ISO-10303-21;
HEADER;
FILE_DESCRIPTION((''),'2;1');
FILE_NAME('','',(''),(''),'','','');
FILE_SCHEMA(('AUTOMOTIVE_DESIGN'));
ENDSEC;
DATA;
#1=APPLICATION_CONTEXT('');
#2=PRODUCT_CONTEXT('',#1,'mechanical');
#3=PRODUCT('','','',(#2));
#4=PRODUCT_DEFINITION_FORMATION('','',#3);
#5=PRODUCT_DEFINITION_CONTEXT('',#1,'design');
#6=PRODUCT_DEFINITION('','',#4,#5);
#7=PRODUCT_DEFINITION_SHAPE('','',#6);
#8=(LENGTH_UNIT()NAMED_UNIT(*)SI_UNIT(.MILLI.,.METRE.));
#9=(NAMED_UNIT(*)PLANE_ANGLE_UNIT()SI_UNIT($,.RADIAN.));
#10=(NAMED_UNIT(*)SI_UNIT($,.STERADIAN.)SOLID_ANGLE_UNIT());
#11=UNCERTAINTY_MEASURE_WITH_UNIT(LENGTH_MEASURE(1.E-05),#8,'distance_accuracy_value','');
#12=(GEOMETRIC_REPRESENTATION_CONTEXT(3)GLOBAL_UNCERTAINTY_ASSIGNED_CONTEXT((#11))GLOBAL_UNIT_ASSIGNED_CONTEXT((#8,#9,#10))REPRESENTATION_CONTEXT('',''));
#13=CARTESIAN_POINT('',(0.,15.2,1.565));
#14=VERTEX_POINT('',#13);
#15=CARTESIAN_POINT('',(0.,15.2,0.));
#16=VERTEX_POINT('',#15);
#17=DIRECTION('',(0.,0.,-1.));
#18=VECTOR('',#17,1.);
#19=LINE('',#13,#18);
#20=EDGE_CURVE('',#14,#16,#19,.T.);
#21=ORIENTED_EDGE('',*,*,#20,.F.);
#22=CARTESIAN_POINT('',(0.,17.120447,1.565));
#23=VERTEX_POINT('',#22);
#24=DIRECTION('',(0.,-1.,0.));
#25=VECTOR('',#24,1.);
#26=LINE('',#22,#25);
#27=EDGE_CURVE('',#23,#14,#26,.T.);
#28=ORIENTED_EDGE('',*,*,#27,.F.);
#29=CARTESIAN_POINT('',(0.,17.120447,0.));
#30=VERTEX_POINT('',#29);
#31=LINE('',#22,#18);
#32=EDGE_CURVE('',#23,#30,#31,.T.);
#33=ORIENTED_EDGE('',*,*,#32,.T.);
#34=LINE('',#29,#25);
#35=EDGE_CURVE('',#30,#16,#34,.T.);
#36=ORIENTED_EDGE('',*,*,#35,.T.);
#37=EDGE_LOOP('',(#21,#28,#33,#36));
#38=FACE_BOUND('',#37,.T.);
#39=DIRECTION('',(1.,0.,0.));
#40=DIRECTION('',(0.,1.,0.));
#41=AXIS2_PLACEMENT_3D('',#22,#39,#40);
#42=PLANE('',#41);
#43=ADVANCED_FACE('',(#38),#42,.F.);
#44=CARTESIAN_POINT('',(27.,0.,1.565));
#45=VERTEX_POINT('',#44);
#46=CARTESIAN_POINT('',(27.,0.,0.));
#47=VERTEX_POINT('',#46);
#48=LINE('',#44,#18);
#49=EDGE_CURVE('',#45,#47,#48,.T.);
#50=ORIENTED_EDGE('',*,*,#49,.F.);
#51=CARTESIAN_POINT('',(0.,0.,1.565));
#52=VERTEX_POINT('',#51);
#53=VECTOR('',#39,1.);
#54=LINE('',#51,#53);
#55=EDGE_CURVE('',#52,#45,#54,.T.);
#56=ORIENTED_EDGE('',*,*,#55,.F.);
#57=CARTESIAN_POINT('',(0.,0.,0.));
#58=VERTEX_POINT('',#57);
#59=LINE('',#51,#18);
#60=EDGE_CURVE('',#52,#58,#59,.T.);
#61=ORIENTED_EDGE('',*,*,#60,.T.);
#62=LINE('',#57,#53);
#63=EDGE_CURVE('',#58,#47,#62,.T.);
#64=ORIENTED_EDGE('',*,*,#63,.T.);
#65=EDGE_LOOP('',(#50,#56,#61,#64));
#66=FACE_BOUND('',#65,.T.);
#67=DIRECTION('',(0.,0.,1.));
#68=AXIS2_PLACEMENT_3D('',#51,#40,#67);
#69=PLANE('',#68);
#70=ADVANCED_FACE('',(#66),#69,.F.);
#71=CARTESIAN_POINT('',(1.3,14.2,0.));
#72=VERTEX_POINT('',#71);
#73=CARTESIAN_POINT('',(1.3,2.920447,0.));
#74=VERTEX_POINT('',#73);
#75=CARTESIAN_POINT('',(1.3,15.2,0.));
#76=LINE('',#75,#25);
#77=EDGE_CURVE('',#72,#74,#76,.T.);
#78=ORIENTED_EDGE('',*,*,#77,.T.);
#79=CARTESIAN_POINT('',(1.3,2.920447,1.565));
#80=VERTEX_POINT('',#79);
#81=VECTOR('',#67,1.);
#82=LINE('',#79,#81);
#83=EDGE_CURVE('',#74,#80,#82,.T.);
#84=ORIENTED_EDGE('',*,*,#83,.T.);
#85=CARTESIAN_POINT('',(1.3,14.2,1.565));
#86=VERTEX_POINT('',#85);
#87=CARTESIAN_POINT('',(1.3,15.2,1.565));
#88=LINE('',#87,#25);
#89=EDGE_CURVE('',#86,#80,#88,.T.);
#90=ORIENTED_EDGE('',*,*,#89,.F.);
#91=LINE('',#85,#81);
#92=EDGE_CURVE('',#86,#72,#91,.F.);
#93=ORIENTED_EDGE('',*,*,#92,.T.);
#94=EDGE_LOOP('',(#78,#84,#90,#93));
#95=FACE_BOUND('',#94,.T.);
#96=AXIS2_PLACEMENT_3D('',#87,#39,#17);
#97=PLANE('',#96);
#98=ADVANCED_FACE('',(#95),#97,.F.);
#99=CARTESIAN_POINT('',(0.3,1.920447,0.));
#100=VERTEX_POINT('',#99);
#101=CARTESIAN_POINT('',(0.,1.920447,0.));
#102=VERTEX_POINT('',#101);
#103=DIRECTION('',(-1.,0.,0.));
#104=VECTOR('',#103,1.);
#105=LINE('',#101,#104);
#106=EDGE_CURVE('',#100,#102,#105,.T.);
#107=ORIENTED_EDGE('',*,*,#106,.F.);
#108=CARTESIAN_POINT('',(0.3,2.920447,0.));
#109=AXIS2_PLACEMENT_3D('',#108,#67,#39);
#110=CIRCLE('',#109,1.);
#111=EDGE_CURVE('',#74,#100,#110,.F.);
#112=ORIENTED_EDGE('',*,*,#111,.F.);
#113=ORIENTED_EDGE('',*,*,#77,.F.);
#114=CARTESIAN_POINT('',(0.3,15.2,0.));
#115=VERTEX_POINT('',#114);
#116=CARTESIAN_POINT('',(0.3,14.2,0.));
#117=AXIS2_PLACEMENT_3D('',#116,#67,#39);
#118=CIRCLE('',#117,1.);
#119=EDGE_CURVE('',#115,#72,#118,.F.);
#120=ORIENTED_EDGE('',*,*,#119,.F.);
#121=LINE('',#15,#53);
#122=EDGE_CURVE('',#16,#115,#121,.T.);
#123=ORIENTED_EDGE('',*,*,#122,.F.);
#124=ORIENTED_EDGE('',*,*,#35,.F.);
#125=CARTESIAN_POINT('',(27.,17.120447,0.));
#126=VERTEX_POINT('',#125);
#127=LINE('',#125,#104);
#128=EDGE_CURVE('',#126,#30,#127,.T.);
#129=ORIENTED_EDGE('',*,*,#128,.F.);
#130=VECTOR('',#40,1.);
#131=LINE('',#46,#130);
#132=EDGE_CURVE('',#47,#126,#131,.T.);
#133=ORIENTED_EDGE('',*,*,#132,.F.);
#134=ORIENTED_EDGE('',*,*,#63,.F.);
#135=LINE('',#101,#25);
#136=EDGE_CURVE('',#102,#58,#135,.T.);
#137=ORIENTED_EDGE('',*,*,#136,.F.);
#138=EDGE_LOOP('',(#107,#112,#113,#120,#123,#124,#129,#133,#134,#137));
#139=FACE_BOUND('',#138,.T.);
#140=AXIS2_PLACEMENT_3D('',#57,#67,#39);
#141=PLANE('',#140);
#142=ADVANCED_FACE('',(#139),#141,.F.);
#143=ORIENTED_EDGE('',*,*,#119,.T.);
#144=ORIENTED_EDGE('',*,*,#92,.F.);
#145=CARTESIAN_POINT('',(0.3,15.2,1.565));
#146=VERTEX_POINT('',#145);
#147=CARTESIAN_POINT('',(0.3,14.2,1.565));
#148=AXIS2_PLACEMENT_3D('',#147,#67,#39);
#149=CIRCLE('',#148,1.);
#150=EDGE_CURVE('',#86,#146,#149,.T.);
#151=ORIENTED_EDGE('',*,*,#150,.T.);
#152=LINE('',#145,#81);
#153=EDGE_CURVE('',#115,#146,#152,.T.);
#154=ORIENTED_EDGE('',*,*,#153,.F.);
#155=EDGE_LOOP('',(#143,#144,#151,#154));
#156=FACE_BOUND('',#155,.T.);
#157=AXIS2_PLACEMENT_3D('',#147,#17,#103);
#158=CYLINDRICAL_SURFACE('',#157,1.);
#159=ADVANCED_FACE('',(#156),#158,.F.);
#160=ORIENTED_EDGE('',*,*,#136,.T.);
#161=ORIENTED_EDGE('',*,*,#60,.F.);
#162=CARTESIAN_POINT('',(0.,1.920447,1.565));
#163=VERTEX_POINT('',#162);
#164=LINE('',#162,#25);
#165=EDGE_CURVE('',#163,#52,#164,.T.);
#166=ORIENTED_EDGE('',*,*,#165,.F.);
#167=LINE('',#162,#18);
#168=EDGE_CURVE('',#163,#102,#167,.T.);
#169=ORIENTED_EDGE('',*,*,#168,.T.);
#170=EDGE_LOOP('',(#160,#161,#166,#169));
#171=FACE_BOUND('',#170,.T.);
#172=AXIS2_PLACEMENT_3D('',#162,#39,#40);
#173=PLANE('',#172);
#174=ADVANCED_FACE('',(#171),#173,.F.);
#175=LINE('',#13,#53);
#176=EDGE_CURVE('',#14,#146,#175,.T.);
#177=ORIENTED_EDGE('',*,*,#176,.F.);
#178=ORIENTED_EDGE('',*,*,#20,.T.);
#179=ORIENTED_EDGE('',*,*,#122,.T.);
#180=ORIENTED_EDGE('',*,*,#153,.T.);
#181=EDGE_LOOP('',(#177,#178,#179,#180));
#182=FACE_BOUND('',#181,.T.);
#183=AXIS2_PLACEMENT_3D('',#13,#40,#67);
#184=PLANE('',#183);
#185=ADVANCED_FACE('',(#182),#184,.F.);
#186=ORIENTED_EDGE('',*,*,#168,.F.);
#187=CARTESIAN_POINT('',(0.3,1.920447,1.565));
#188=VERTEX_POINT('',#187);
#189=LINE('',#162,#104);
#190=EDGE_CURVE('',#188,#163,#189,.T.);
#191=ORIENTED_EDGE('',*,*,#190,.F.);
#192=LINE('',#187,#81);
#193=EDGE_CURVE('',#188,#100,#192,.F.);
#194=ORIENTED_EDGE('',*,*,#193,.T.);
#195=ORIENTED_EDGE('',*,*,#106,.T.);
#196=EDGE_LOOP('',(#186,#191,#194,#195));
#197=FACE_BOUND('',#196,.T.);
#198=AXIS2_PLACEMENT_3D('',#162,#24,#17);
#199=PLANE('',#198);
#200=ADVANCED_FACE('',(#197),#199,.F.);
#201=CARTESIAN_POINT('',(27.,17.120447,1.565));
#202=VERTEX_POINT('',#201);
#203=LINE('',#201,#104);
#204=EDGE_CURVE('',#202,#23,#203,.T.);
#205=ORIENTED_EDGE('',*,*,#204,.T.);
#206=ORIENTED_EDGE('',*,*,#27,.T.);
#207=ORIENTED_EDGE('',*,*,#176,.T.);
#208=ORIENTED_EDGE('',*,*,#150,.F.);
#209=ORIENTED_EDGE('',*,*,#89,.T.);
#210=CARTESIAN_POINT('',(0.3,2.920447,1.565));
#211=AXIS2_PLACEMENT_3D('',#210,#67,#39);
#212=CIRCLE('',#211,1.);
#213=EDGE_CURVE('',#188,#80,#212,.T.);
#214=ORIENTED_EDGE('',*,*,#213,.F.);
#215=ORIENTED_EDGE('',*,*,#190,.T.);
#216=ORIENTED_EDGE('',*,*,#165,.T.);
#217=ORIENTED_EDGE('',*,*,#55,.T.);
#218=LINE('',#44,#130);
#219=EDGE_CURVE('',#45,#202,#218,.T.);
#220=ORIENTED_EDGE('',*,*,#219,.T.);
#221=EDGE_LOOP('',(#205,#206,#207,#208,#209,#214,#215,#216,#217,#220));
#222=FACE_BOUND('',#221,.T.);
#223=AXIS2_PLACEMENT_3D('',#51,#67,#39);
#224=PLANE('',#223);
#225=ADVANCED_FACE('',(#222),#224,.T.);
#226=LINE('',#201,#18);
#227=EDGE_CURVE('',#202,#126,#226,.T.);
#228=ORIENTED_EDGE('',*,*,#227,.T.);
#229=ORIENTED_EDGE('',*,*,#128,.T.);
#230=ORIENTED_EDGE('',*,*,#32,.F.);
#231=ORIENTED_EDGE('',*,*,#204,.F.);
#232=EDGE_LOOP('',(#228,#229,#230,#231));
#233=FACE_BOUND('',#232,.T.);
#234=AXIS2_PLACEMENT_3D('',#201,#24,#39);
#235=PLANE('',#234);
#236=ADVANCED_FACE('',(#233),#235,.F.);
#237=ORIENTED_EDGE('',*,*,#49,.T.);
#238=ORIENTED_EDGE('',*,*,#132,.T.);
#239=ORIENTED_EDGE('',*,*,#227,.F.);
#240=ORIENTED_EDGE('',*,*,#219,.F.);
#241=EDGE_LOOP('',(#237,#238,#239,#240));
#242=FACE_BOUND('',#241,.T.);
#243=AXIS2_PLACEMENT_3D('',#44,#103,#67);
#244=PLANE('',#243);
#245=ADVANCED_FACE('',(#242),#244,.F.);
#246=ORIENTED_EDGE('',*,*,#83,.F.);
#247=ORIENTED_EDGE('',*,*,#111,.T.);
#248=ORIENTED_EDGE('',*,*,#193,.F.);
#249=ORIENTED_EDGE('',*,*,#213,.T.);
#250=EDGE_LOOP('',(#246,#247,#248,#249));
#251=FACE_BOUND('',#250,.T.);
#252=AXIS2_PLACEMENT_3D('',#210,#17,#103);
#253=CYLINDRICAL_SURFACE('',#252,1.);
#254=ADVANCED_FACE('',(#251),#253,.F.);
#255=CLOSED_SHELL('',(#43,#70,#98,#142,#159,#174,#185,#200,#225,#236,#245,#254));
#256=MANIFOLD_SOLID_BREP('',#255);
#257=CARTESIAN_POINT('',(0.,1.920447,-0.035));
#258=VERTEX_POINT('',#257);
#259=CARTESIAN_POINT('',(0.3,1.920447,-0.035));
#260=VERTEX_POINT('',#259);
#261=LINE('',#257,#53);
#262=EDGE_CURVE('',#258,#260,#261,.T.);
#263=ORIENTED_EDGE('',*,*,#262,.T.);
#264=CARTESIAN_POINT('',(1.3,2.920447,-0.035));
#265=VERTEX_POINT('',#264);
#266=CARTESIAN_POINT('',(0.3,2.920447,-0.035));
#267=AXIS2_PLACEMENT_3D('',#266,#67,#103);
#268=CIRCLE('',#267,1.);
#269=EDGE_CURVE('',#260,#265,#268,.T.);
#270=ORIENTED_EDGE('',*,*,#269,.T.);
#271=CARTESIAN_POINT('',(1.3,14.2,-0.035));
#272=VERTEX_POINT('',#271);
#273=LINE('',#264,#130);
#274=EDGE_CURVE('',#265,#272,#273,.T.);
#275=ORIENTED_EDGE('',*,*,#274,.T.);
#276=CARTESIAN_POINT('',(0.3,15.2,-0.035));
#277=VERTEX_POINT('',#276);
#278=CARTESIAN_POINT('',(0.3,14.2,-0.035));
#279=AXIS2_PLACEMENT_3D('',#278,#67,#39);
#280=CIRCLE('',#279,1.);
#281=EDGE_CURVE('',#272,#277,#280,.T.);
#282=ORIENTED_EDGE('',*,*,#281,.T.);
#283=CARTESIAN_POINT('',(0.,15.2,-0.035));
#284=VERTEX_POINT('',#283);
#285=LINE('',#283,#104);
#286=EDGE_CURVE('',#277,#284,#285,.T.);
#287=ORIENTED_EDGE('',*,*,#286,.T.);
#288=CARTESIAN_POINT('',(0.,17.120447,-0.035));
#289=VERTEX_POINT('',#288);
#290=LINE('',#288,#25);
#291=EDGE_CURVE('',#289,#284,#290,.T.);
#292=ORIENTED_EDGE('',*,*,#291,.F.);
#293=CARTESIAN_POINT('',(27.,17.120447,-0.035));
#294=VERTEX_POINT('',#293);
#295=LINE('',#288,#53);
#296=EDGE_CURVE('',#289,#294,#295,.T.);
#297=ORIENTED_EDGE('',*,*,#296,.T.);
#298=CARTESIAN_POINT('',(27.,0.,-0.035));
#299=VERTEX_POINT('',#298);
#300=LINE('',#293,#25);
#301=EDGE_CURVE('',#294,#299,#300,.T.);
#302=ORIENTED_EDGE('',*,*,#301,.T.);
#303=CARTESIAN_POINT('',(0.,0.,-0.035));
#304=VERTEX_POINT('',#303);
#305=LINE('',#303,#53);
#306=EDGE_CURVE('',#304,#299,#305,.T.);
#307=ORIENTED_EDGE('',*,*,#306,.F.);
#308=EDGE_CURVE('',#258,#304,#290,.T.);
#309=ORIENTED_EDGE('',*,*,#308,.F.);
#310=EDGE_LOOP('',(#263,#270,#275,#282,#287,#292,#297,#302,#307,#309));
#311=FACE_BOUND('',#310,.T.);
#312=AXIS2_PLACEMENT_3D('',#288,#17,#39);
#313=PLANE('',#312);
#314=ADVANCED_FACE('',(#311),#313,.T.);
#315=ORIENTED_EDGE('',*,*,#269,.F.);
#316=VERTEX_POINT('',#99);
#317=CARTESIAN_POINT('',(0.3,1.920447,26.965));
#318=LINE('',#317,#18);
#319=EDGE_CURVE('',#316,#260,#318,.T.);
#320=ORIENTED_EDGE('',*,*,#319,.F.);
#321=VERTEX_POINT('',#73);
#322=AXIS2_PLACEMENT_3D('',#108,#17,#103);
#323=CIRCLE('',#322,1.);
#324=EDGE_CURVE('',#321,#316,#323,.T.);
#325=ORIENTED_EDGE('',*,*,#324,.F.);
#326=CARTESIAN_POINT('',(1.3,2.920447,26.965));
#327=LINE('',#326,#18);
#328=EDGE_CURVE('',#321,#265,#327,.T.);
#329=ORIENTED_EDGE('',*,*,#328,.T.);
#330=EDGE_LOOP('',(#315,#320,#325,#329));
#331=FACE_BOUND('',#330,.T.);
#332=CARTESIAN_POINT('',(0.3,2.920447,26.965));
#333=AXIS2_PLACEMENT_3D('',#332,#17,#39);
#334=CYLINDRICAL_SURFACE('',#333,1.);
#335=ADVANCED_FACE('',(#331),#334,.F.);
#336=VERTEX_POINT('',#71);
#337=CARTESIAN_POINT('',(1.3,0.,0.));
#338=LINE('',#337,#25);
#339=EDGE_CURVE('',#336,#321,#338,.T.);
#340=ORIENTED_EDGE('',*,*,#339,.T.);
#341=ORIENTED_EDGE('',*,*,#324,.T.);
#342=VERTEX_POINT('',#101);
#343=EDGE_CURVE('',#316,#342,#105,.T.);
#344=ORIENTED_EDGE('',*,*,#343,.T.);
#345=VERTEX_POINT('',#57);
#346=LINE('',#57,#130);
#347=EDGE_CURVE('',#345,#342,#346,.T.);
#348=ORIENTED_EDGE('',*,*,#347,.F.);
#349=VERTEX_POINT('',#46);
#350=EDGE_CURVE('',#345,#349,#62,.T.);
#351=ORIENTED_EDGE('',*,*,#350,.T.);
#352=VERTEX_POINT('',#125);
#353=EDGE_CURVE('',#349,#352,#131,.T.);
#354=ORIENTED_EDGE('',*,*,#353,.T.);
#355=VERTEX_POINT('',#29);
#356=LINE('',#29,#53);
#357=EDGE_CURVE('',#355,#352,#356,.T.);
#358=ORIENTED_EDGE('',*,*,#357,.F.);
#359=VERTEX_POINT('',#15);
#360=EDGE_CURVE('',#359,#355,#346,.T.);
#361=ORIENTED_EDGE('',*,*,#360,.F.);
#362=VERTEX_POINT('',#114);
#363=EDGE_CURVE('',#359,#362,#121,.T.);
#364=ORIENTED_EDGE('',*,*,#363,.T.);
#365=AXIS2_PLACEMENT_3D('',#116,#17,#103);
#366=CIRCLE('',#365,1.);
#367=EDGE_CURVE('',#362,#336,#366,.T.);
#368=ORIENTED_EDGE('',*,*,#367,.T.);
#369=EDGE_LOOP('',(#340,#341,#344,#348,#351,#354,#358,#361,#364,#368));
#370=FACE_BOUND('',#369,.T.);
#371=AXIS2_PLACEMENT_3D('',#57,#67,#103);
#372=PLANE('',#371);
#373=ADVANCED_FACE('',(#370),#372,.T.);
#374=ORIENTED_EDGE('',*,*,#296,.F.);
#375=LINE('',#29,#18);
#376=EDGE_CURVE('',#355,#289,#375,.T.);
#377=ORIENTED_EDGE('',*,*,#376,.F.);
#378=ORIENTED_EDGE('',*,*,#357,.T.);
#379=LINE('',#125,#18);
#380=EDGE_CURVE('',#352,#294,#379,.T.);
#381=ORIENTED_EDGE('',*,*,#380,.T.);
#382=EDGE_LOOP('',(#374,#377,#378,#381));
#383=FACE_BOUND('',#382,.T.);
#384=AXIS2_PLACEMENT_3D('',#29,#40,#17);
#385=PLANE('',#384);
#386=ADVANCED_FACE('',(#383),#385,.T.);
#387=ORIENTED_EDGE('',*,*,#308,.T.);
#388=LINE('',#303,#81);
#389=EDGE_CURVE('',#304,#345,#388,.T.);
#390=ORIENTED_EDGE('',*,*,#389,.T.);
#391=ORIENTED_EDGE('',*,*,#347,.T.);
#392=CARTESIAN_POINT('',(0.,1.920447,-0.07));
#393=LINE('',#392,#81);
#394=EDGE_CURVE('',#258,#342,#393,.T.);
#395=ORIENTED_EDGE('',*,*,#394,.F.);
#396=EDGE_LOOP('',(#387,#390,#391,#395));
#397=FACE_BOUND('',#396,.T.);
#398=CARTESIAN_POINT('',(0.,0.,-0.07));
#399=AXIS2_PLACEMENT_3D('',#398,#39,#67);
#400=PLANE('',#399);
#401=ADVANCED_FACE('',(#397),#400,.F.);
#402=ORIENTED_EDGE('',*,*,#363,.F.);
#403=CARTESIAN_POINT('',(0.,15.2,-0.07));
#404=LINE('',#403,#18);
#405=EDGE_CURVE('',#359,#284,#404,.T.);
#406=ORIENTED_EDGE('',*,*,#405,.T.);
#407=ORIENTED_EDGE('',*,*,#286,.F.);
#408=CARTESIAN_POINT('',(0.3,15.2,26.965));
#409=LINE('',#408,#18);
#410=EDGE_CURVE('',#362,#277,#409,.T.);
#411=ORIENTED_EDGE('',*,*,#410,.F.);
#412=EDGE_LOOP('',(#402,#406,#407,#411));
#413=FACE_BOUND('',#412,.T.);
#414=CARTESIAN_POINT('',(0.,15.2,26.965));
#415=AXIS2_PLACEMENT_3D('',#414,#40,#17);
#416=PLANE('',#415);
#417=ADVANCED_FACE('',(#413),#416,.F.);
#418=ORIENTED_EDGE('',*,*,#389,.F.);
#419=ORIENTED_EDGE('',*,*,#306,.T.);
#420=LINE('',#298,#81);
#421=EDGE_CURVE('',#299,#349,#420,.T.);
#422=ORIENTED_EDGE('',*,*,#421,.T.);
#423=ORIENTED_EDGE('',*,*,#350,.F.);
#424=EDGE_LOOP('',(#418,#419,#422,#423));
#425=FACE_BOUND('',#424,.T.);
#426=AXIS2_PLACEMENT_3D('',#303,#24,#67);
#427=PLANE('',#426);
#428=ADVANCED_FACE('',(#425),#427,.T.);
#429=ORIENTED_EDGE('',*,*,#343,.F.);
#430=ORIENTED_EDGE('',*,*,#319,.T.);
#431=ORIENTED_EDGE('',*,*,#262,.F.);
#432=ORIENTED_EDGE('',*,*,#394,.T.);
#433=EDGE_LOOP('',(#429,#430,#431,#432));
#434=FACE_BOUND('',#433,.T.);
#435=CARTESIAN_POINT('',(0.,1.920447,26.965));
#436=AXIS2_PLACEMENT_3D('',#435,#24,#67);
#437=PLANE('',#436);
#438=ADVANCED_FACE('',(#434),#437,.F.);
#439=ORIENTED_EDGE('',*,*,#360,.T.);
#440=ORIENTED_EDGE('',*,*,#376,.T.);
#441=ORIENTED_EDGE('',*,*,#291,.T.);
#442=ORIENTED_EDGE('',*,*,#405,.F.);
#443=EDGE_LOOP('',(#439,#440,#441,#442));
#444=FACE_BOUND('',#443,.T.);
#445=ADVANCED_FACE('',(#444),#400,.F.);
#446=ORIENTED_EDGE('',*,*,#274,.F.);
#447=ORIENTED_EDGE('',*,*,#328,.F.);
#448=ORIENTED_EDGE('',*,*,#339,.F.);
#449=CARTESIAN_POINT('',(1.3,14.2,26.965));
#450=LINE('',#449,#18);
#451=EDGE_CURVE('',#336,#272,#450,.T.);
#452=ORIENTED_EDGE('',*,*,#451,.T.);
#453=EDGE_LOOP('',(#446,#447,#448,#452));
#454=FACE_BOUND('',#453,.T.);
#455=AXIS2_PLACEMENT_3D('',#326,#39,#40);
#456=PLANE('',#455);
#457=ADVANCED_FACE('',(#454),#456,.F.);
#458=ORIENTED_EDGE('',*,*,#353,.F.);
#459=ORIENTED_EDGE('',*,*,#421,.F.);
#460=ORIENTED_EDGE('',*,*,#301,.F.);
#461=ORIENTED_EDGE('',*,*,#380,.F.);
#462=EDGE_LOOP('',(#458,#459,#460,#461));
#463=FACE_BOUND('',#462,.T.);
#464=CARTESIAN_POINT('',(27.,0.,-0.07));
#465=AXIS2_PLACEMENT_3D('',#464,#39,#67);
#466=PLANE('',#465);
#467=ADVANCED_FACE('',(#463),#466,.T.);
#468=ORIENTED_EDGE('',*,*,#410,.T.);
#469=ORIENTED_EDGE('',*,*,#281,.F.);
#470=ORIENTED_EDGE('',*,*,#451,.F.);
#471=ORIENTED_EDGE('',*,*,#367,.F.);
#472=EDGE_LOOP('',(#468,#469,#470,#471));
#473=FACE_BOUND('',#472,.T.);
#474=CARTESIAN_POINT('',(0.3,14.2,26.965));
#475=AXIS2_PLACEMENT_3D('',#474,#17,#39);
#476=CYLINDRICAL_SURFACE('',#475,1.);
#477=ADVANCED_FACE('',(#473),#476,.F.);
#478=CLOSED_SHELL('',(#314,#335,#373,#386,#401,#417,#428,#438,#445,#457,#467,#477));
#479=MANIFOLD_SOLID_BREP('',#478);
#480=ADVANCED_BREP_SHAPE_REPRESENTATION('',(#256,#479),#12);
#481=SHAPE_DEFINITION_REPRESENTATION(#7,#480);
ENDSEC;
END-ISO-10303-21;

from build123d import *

# Parameters (mm, degrees)
BOSS_EXTRUDE1_DEPTH = 1.565
FILLET2_R           = 1
FILLET3_R           = 1
SKETCH4_W           = 0.035
SKETCH4_H           = 17.120447321
BOSS_EXTRUDE2_DEPTH = 27
CUT_EXTRUDE2_DEPTH  = 27


with BuildPart() as part:
    # Sketch1 → Boss-Extrude1 (new body)
    with BuildSketch(Plane.XY):
        Polygon((0, 0), (27, 0), (27, 17.120447321), (0, 17.120447321), (0, 15.2), (1.3, 15.2), (1.3, 1.920447321), (0, 1.920447321), align=None)
    extrude(amount=BOSS_EXTRUDE1_DEPTH)

    # Fillet2
    fillet2_edges = [part.edges().sort_by_distance(p)[0] for p in [
        (1.3, 15.2, 0.7825),
    ]]
    fillet(fillet2_edges, radius=FILLET2_R)

    # Fillet3
    fillet3_edges = [part.edges().sort_by_distance(p)[0] for p in [
        (1.3, 1.920447321, 0.7825),
    ]]
    fillet(fillet3_edges, radius=FILLET3_R)


with BuildPart() as body_2:
    # Sketch4 → Boss-Extrude2 (new body)
    with BuildSketch(Plane(origin=(27, 0, 0), x_dir=(0, 0, -1), z_dir=(1, 0, 0))):
        with Locations((0.0525, 8.560223661)):
            Rectangle(SKETCH4_W, SKETCH4_H)
    extrude(amount=-BOSS_EXTRUDE2_DEPTH)

    # Sketch5 → Cut-Extrude2 (cut)
    with BuildSketch(Plane.XY.offset(-0.035)):
        with BuildLine():
            Line((1.3, 2.920447321), (1.3, 14.2))
            ThreePointArc((1.3, 14.2), (1.007106781, 14.907106781), (0.3, 15.2))
            Line((0.3, 15.2), (0, 15.2))
            Line((0, 15.2), (0, 1.920447321))
            Line((0, 1.920447321), (0.3, 1.920447321))
            ThreePointArc((0.3, 1.920447321), (1.007106781, 2.213340539), (1.3, 2.920447321))
        make_face()
    extrude(amount=-CUT_EXTRUDE2_DEPTH, mode=Mode.SUBTRACT)


with BuildPart() as body_3:
    # Mirror1: mirrored copy
    add(body_2.part.mirror(Plane(origin=(0, 17.120447321, -0.035), x_dir=(1, 0, 0), z_dir=(0, 0, 1))))


solid = Compound([part.part, body_3.part])
